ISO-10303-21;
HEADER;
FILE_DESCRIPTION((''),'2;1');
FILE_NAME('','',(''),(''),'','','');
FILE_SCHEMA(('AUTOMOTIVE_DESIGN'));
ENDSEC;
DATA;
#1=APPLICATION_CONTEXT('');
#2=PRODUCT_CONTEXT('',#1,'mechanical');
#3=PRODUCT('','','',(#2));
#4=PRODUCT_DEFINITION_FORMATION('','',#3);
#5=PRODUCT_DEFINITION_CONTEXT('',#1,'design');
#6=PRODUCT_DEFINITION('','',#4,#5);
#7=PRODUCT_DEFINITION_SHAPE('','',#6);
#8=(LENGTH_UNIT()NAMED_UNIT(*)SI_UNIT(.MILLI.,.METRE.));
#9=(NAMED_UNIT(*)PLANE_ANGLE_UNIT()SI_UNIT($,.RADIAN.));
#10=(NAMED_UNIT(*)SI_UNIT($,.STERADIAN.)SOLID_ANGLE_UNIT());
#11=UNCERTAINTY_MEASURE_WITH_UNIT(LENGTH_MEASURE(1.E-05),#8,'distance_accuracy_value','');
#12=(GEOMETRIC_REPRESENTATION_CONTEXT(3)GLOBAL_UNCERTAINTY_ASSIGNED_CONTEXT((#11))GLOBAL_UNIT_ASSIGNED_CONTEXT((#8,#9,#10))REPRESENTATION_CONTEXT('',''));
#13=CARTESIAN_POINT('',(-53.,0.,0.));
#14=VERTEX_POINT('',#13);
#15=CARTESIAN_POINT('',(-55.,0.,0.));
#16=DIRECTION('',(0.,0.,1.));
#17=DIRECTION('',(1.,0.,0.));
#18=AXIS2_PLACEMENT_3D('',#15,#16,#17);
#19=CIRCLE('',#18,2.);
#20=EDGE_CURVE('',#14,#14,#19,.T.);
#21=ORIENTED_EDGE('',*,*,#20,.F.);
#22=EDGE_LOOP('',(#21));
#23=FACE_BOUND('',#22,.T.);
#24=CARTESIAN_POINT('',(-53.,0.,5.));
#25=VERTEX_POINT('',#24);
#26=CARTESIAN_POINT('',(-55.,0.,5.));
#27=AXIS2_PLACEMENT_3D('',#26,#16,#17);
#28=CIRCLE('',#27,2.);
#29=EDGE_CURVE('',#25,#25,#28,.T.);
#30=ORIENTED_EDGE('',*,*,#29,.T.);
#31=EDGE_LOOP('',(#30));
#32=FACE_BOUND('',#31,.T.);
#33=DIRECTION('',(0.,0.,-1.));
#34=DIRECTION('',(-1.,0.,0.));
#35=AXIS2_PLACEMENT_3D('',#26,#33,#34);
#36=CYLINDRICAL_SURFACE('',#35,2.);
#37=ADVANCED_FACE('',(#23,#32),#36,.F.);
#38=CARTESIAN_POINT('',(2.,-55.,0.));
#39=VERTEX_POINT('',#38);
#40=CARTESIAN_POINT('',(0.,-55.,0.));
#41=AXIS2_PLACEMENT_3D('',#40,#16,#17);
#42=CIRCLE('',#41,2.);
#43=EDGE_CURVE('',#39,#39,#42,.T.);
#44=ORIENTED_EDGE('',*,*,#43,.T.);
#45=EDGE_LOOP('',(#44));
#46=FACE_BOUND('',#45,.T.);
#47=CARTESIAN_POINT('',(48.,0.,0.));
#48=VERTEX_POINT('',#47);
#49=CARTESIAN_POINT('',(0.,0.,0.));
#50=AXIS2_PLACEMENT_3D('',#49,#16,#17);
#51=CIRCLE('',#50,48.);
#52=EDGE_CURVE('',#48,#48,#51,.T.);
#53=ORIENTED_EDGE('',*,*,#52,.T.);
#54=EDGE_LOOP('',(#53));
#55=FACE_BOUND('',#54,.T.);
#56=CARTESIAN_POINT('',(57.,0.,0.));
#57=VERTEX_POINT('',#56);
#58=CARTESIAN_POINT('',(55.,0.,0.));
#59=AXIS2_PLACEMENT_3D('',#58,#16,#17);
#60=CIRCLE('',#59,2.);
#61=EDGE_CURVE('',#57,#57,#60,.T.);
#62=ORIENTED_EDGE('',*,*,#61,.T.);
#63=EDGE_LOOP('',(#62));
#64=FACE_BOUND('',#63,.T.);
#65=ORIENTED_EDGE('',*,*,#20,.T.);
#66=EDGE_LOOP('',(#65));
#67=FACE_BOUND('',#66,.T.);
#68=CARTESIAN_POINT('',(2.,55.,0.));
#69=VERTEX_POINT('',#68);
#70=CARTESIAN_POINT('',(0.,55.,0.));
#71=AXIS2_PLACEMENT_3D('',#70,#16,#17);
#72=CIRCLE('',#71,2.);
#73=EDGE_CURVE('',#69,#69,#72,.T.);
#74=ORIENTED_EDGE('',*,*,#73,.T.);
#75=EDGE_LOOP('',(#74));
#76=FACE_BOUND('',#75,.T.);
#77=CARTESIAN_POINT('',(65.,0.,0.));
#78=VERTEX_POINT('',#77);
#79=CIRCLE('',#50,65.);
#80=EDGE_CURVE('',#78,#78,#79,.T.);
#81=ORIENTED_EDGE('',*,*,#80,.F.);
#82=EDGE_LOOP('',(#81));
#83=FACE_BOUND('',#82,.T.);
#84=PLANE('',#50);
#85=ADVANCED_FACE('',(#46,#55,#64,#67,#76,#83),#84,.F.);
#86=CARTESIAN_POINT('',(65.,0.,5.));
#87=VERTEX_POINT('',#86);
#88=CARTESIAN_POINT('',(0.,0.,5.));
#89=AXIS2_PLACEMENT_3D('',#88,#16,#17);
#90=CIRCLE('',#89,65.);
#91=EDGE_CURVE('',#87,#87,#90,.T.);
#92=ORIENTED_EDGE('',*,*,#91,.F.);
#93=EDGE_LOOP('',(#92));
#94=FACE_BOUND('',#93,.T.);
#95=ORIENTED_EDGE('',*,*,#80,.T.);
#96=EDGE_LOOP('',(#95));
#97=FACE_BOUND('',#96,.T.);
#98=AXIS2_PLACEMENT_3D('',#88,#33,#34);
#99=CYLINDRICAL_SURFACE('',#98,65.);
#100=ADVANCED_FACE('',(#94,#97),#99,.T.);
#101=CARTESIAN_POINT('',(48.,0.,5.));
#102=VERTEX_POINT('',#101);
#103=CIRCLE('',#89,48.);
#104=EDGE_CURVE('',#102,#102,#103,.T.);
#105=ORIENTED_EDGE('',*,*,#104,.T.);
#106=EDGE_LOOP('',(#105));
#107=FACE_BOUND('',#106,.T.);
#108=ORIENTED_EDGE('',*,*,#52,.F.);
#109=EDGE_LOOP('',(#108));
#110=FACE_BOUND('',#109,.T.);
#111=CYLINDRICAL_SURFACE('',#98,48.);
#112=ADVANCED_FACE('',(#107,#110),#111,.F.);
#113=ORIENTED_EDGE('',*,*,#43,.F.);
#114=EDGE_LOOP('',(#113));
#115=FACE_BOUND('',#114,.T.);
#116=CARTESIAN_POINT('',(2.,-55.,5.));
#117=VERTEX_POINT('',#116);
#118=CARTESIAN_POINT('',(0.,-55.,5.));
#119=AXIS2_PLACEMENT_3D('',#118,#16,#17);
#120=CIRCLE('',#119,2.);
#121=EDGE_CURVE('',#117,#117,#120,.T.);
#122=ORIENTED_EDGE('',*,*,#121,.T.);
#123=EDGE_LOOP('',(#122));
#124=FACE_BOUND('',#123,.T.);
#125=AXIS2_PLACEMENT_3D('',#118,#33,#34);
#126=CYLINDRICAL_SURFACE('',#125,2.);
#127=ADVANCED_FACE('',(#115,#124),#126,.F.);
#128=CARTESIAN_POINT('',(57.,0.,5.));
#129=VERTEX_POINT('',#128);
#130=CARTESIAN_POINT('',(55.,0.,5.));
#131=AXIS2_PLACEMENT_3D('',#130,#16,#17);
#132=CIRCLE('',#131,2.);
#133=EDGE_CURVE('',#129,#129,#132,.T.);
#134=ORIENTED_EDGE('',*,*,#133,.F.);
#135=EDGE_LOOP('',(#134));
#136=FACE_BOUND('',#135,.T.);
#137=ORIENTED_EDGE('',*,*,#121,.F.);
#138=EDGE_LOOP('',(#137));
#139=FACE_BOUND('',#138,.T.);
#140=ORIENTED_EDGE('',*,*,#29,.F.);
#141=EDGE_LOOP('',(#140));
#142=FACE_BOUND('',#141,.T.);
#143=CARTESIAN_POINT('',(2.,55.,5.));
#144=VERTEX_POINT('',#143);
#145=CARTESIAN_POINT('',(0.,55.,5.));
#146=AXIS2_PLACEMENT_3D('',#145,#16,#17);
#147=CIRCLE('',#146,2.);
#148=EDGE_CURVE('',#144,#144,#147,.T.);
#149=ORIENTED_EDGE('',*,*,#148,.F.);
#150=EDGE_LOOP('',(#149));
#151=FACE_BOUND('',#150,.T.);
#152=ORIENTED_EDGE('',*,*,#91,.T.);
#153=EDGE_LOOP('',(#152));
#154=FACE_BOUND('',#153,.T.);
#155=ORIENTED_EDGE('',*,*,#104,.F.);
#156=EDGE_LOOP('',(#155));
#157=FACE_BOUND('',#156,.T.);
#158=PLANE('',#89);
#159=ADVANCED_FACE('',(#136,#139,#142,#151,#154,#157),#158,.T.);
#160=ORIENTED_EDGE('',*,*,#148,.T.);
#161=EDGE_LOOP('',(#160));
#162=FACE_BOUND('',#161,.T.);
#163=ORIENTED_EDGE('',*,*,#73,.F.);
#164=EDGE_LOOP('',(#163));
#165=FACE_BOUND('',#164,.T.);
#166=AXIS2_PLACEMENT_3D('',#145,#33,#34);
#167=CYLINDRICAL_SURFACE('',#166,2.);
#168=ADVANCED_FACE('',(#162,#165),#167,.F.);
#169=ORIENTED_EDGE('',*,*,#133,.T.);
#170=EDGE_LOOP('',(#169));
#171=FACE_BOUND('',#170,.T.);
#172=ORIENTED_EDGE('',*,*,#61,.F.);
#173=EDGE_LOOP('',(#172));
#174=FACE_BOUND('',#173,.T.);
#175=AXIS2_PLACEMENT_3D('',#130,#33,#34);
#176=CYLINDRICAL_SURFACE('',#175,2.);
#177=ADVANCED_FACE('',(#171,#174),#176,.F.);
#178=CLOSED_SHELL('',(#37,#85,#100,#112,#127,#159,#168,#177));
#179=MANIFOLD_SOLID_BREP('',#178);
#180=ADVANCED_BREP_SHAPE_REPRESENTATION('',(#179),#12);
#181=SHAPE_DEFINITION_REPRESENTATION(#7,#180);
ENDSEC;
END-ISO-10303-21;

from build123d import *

# Parameters (mm, degrees)
SKETCH_1_R      = 65
SKETCH_1_R_2    = 48
SKETCH_1_R_3    = 2
EXTRUDE_1_DEPTH = 5


with BuildPart() as part:
    # 草图1 → 凸台-拉伸1 (new body)
    with BuildSketch(Plane.XY):
        Circle(SKETCH_1_R)
        Circle(SKETCH_1_R_2, mode=Mode.SUBTRACT)
        with Locations((55, 0)):
            Circle(SKETCH_1_R_3, mode=Mode.SUBTRACT)
        with Locations((0, -55)):
            Circle(SKETCH_1_R_3, mode=Mode.SUBTRACT)
        with Locations((-55, 0)):
            Circle(SKETCH_1_R_3, mode=Mode.SUBTRACT)
        with Locations((0, 55)):
            Circle(SKETCH_1_R_3, mode=Mode.SUBTRACT)
    extrude(amount=EXTRUDE_1_DEPTH)


solid = part.part
